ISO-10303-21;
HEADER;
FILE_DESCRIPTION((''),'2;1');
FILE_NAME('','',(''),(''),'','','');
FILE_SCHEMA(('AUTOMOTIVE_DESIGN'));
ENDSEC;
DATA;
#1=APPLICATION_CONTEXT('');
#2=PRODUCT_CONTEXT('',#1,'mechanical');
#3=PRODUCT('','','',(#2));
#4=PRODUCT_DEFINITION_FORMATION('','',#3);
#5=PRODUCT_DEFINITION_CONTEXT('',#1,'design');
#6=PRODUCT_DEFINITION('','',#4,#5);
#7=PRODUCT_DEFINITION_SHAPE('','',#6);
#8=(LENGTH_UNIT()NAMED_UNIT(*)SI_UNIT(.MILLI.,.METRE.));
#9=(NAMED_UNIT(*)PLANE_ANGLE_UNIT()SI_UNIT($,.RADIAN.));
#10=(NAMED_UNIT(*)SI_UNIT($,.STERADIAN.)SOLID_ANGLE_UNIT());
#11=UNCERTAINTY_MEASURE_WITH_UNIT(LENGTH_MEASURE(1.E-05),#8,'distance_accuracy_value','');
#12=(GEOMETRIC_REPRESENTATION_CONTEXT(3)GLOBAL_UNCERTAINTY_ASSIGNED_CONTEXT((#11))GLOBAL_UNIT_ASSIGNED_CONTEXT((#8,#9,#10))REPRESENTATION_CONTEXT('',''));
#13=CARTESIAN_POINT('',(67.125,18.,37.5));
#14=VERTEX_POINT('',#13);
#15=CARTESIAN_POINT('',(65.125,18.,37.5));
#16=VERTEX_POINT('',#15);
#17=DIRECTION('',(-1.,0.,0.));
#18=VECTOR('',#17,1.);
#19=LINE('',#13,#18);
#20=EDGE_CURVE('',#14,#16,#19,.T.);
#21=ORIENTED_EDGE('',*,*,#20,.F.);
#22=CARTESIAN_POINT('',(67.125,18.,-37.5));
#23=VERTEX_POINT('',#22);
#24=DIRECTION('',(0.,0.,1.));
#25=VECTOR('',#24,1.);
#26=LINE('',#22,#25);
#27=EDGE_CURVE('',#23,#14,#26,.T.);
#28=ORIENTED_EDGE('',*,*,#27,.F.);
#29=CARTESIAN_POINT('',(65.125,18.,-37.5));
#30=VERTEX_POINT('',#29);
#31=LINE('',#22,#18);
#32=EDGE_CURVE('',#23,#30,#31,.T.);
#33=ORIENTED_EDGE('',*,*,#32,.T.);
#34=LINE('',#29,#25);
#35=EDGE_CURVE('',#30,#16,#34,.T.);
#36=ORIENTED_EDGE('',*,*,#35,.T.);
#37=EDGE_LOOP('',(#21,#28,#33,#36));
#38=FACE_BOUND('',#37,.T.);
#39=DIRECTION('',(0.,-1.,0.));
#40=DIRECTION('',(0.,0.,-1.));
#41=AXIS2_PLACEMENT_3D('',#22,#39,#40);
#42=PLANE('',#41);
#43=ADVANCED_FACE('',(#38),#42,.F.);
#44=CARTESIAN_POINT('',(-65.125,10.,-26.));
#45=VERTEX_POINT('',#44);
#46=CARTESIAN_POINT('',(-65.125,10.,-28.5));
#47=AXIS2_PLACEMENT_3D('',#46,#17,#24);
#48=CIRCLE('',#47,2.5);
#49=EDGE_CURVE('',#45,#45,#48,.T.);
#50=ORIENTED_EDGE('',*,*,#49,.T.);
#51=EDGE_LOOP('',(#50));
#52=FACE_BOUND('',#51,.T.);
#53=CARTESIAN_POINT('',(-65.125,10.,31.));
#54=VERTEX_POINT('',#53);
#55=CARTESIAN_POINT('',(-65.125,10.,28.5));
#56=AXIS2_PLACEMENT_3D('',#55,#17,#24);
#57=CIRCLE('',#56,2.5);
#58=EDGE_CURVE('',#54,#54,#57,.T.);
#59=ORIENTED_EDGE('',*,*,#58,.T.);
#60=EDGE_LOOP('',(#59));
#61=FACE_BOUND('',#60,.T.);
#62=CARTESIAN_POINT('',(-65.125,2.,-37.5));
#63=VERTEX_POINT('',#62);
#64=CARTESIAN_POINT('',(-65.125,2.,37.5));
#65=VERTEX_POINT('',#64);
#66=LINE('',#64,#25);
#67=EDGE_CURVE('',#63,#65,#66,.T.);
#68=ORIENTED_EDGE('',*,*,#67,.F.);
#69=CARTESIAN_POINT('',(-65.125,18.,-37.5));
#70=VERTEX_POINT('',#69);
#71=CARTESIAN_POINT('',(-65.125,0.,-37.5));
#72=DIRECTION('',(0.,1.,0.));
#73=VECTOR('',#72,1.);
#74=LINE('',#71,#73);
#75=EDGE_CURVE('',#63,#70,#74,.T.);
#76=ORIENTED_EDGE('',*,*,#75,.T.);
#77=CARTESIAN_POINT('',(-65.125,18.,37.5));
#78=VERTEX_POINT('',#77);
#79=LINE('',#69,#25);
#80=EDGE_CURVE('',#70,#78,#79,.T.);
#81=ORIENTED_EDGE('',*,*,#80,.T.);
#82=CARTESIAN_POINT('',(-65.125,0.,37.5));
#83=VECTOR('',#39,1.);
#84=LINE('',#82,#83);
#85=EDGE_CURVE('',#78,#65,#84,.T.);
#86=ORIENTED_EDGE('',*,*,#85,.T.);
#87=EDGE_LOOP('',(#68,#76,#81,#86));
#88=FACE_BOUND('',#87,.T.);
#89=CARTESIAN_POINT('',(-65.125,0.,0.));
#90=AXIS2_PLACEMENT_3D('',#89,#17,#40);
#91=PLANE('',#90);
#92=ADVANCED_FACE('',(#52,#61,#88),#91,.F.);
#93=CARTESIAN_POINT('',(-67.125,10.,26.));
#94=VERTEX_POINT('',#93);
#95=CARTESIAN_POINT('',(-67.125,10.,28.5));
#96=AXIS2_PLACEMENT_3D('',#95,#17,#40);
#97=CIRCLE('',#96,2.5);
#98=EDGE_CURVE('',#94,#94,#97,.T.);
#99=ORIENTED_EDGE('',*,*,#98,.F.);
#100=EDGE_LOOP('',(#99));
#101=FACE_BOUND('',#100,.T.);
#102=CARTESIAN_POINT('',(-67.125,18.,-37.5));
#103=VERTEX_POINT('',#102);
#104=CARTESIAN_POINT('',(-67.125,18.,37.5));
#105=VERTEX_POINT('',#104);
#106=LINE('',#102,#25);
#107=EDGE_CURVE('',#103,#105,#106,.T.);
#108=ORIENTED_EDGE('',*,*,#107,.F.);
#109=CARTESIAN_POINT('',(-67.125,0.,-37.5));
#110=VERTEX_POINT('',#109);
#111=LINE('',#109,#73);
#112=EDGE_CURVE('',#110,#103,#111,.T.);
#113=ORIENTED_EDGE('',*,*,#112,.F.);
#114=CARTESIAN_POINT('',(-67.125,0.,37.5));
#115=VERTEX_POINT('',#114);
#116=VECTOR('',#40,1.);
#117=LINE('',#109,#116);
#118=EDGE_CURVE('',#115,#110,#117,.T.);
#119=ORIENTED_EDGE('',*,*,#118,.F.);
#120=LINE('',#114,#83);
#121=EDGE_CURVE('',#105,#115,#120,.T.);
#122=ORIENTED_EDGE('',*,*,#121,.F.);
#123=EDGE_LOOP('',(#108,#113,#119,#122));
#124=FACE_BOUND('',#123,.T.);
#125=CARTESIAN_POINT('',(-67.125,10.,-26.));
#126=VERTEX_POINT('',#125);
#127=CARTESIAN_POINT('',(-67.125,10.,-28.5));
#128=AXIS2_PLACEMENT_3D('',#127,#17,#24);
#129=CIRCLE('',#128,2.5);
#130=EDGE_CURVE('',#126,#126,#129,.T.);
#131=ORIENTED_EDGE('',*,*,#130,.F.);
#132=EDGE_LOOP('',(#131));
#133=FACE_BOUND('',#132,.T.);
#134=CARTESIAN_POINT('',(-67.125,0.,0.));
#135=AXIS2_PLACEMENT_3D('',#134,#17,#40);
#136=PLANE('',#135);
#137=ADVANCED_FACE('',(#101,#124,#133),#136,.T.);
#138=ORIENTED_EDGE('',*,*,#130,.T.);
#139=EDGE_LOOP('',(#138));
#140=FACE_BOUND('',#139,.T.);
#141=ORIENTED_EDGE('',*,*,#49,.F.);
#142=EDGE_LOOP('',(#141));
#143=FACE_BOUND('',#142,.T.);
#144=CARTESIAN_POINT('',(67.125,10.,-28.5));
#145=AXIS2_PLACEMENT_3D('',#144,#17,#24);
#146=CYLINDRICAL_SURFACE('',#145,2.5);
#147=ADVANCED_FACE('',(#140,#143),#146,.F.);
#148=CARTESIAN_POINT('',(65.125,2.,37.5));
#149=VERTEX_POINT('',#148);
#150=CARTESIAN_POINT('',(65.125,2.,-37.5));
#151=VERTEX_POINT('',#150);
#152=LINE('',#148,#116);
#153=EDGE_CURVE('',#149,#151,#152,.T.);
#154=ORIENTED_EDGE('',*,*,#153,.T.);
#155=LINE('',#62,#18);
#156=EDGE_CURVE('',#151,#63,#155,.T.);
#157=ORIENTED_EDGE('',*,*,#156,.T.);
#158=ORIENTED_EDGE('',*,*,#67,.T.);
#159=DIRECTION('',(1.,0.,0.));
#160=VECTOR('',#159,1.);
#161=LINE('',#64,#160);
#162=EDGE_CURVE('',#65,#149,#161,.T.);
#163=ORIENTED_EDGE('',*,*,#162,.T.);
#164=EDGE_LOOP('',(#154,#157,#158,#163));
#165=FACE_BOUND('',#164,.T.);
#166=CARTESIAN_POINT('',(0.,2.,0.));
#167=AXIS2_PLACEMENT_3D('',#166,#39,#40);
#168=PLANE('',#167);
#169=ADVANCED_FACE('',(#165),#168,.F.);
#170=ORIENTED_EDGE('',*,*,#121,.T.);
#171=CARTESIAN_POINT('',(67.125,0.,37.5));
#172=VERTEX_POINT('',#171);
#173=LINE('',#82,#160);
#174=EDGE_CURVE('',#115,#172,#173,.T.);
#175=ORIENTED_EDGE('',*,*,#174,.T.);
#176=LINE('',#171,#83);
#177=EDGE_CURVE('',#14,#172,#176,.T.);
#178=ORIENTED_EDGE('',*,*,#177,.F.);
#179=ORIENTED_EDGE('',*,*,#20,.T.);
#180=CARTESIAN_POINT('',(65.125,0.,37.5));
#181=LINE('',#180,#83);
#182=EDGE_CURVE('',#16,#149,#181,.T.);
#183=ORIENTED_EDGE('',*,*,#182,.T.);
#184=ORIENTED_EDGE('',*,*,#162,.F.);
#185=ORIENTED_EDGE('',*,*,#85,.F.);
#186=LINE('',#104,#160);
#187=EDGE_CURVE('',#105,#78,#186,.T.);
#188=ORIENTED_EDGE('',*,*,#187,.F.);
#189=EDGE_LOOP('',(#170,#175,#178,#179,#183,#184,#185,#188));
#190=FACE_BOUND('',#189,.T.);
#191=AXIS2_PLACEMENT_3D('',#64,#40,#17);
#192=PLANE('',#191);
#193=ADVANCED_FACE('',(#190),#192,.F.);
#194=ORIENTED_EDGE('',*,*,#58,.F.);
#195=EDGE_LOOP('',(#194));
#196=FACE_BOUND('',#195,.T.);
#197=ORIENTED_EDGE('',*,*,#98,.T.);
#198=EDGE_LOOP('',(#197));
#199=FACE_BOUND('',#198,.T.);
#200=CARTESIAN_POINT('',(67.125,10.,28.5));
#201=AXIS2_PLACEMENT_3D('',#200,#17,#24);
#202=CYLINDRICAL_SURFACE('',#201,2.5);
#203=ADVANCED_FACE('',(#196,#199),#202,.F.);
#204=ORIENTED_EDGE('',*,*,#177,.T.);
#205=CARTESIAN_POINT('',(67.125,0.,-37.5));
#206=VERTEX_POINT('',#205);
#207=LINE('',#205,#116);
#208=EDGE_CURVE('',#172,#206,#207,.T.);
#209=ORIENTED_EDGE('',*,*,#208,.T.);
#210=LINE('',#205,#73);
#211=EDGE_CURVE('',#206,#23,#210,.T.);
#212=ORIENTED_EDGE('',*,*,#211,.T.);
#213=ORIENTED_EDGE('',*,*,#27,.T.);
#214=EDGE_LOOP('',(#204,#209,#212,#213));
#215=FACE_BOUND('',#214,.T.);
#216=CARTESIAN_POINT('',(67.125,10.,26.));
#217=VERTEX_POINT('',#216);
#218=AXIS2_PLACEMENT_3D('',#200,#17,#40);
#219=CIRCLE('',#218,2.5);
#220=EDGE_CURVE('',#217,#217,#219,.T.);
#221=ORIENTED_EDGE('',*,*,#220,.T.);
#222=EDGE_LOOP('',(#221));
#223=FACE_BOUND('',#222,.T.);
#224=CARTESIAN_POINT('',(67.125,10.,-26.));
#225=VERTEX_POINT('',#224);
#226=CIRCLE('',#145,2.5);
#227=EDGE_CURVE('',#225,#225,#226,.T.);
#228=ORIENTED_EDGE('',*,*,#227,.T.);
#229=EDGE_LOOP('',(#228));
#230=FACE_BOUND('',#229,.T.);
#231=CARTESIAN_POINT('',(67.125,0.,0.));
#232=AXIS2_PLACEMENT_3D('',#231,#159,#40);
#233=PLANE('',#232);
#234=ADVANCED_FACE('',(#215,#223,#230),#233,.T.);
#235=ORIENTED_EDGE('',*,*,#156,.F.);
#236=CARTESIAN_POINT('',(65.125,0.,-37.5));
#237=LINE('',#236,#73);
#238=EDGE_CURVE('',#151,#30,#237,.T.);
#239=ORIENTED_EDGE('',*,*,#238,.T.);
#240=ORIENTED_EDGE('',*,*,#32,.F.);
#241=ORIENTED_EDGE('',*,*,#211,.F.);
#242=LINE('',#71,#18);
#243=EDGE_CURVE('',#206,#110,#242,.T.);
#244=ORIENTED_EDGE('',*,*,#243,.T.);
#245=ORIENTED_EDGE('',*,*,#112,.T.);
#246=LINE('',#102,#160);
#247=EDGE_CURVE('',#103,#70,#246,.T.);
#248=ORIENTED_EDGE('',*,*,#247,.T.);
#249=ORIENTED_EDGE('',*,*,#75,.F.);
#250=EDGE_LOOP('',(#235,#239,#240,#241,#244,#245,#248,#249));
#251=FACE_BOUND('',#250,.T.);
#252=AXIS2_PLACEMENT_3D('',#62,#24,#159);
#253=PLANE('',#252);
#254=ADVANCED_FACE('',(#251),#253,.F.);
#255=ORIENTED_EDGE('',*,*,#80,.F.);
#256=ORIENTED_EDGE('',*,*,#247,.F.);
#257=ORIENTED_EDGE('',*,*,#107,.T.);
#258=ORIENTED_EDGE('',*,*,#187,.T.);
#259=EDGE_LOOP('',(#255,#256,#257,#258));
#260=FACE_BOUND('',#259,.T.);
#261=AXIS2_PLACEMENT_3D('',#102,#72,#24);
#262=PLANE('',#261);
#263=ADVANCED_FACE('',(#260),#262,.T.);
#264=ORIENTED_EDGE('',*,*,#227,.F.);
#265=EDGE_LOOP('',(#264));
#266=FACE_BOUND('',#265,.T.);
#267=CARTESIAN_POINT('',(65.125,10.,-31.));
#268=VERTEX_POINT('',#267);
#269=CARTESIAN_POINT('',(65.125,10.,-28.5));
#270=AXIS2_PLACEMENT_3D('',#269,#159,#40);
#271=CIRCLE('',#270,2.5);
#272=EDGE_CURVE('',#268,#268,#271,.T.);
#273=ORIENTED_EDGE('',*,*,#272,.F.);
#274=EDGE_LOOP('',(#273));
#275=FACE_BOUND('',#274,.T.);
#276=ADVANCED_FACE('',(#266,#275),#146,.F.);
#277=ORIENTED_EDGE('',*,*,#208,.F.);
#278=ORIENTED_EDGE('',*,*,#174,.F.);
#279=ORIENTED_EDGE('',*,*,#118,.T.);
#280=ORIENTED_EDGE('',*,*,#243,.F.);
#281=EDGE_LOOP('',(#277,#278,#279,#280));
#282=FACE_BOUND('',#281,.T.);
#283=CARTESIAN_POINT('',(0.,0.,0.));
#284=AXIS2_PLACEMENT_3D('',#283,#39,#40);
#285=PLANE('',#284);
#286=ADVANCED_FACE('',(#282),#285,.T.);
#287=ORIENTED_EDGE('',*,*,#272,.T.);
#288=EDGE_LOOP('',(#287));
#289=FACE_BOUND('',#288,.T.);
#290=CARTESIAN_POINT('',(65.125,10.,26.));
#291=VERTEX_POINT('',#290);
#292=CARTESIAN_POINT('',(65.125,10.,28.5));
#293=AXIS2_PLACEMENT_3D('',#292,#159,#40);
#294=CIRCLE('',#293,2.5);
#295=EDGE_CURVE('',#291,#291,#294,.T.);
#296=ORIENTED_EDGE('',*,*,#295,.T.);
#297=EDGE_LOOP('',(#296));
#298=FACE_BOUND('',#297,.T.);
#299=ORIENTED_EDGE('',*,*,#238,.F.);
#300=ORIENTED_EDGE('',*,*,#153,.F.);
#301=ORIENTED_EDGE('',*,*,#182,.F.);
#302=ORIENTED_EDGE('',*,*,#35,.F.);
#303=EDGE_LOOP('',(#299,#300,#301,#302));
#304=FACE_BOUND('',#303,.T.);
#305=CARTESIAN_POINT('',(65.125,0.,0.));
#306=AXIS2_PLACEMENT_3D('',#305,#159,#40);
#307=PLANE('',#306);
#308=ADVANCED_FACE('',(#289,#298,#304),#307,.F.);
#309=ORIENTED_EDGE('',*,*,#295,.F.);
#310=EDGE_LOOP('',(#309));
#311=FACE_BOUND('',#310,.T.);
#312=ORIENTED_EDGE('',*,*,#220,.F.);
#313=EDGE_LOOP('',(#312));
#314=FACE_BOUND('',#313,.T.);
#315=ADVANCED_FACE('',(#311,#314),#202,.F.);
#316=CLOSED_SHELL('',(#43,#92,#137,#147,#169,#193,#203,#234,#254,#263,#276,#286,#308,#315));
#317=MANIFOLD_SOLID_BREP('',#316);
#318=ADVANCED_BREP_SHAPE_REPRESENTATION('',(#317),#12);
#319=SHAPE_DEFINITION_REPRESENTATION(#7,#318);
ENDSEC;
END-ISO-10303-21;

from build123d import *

# Parameters (mm, degrees)
ESBO_O1_W                = 130.25
ESBO_O1_H                = 75
RESSALTO_EXTRUS_O1_DEPTH = 2
ESBO_O2_W                = 75
ESBO_O2_H                = 18
RESSALTO_EXTRUS_O2_DEPTH = 2
ESBO_O3_R                = 2.5
CORTE_EXTRUS_O1_DEPTH    = 135.25


with BuildPart() as part:
    # Esboço1 → Ressalto-extrusão1 (new body)
    with BuildSketch(Plane(origin=(0, 0, 0), x_dir=(1, 0, 0), z_dir=(0, 1, 0))):
        Rectangle(ESBO_O1_W, ESBO_O1_H)
    extrude(amount=RESSALTO_EXTRUS_O1_DEPTH)

    # Esboço2 → Ressalto-extrusão2 (add)
    with BuildSketch(Plane(origin=(65.125, 0, 0), x_dir=(0, 0, -1), z_dir=(1, 0, 0))):
        with Locations((0, 9)):
            Rectangle(ESBO_O2_W, ESBO_O2_H)
    ressalto_extrus_o2 = extrude(amount=RESSALTO_EXTRUS_O2_DEPTH)

    # Espelhar1: Ressalto-extrusão2 across plane
    add(ressalto_extrus_o2.mirror(Plane(origin=(0, 0, 0), x_dir=(0, 0, 1), z_dir=(1, 0, 0))))

    # Esboço3 → Corte-extrusão1 (cut, through all)
    with BuildSketch(Plane.ZY.offset(67.125)):
        with Locations((-28.5, 10)):
            Circle(ESBO_O3_R)
        with Locations((28.5, 10)):
            Circle(ESBO_O3_R)
    extrude(amount=-CORTE_EXTRUS_O1_DEPTH, mode=Mode.SUBTRACT)


solid = part.part
